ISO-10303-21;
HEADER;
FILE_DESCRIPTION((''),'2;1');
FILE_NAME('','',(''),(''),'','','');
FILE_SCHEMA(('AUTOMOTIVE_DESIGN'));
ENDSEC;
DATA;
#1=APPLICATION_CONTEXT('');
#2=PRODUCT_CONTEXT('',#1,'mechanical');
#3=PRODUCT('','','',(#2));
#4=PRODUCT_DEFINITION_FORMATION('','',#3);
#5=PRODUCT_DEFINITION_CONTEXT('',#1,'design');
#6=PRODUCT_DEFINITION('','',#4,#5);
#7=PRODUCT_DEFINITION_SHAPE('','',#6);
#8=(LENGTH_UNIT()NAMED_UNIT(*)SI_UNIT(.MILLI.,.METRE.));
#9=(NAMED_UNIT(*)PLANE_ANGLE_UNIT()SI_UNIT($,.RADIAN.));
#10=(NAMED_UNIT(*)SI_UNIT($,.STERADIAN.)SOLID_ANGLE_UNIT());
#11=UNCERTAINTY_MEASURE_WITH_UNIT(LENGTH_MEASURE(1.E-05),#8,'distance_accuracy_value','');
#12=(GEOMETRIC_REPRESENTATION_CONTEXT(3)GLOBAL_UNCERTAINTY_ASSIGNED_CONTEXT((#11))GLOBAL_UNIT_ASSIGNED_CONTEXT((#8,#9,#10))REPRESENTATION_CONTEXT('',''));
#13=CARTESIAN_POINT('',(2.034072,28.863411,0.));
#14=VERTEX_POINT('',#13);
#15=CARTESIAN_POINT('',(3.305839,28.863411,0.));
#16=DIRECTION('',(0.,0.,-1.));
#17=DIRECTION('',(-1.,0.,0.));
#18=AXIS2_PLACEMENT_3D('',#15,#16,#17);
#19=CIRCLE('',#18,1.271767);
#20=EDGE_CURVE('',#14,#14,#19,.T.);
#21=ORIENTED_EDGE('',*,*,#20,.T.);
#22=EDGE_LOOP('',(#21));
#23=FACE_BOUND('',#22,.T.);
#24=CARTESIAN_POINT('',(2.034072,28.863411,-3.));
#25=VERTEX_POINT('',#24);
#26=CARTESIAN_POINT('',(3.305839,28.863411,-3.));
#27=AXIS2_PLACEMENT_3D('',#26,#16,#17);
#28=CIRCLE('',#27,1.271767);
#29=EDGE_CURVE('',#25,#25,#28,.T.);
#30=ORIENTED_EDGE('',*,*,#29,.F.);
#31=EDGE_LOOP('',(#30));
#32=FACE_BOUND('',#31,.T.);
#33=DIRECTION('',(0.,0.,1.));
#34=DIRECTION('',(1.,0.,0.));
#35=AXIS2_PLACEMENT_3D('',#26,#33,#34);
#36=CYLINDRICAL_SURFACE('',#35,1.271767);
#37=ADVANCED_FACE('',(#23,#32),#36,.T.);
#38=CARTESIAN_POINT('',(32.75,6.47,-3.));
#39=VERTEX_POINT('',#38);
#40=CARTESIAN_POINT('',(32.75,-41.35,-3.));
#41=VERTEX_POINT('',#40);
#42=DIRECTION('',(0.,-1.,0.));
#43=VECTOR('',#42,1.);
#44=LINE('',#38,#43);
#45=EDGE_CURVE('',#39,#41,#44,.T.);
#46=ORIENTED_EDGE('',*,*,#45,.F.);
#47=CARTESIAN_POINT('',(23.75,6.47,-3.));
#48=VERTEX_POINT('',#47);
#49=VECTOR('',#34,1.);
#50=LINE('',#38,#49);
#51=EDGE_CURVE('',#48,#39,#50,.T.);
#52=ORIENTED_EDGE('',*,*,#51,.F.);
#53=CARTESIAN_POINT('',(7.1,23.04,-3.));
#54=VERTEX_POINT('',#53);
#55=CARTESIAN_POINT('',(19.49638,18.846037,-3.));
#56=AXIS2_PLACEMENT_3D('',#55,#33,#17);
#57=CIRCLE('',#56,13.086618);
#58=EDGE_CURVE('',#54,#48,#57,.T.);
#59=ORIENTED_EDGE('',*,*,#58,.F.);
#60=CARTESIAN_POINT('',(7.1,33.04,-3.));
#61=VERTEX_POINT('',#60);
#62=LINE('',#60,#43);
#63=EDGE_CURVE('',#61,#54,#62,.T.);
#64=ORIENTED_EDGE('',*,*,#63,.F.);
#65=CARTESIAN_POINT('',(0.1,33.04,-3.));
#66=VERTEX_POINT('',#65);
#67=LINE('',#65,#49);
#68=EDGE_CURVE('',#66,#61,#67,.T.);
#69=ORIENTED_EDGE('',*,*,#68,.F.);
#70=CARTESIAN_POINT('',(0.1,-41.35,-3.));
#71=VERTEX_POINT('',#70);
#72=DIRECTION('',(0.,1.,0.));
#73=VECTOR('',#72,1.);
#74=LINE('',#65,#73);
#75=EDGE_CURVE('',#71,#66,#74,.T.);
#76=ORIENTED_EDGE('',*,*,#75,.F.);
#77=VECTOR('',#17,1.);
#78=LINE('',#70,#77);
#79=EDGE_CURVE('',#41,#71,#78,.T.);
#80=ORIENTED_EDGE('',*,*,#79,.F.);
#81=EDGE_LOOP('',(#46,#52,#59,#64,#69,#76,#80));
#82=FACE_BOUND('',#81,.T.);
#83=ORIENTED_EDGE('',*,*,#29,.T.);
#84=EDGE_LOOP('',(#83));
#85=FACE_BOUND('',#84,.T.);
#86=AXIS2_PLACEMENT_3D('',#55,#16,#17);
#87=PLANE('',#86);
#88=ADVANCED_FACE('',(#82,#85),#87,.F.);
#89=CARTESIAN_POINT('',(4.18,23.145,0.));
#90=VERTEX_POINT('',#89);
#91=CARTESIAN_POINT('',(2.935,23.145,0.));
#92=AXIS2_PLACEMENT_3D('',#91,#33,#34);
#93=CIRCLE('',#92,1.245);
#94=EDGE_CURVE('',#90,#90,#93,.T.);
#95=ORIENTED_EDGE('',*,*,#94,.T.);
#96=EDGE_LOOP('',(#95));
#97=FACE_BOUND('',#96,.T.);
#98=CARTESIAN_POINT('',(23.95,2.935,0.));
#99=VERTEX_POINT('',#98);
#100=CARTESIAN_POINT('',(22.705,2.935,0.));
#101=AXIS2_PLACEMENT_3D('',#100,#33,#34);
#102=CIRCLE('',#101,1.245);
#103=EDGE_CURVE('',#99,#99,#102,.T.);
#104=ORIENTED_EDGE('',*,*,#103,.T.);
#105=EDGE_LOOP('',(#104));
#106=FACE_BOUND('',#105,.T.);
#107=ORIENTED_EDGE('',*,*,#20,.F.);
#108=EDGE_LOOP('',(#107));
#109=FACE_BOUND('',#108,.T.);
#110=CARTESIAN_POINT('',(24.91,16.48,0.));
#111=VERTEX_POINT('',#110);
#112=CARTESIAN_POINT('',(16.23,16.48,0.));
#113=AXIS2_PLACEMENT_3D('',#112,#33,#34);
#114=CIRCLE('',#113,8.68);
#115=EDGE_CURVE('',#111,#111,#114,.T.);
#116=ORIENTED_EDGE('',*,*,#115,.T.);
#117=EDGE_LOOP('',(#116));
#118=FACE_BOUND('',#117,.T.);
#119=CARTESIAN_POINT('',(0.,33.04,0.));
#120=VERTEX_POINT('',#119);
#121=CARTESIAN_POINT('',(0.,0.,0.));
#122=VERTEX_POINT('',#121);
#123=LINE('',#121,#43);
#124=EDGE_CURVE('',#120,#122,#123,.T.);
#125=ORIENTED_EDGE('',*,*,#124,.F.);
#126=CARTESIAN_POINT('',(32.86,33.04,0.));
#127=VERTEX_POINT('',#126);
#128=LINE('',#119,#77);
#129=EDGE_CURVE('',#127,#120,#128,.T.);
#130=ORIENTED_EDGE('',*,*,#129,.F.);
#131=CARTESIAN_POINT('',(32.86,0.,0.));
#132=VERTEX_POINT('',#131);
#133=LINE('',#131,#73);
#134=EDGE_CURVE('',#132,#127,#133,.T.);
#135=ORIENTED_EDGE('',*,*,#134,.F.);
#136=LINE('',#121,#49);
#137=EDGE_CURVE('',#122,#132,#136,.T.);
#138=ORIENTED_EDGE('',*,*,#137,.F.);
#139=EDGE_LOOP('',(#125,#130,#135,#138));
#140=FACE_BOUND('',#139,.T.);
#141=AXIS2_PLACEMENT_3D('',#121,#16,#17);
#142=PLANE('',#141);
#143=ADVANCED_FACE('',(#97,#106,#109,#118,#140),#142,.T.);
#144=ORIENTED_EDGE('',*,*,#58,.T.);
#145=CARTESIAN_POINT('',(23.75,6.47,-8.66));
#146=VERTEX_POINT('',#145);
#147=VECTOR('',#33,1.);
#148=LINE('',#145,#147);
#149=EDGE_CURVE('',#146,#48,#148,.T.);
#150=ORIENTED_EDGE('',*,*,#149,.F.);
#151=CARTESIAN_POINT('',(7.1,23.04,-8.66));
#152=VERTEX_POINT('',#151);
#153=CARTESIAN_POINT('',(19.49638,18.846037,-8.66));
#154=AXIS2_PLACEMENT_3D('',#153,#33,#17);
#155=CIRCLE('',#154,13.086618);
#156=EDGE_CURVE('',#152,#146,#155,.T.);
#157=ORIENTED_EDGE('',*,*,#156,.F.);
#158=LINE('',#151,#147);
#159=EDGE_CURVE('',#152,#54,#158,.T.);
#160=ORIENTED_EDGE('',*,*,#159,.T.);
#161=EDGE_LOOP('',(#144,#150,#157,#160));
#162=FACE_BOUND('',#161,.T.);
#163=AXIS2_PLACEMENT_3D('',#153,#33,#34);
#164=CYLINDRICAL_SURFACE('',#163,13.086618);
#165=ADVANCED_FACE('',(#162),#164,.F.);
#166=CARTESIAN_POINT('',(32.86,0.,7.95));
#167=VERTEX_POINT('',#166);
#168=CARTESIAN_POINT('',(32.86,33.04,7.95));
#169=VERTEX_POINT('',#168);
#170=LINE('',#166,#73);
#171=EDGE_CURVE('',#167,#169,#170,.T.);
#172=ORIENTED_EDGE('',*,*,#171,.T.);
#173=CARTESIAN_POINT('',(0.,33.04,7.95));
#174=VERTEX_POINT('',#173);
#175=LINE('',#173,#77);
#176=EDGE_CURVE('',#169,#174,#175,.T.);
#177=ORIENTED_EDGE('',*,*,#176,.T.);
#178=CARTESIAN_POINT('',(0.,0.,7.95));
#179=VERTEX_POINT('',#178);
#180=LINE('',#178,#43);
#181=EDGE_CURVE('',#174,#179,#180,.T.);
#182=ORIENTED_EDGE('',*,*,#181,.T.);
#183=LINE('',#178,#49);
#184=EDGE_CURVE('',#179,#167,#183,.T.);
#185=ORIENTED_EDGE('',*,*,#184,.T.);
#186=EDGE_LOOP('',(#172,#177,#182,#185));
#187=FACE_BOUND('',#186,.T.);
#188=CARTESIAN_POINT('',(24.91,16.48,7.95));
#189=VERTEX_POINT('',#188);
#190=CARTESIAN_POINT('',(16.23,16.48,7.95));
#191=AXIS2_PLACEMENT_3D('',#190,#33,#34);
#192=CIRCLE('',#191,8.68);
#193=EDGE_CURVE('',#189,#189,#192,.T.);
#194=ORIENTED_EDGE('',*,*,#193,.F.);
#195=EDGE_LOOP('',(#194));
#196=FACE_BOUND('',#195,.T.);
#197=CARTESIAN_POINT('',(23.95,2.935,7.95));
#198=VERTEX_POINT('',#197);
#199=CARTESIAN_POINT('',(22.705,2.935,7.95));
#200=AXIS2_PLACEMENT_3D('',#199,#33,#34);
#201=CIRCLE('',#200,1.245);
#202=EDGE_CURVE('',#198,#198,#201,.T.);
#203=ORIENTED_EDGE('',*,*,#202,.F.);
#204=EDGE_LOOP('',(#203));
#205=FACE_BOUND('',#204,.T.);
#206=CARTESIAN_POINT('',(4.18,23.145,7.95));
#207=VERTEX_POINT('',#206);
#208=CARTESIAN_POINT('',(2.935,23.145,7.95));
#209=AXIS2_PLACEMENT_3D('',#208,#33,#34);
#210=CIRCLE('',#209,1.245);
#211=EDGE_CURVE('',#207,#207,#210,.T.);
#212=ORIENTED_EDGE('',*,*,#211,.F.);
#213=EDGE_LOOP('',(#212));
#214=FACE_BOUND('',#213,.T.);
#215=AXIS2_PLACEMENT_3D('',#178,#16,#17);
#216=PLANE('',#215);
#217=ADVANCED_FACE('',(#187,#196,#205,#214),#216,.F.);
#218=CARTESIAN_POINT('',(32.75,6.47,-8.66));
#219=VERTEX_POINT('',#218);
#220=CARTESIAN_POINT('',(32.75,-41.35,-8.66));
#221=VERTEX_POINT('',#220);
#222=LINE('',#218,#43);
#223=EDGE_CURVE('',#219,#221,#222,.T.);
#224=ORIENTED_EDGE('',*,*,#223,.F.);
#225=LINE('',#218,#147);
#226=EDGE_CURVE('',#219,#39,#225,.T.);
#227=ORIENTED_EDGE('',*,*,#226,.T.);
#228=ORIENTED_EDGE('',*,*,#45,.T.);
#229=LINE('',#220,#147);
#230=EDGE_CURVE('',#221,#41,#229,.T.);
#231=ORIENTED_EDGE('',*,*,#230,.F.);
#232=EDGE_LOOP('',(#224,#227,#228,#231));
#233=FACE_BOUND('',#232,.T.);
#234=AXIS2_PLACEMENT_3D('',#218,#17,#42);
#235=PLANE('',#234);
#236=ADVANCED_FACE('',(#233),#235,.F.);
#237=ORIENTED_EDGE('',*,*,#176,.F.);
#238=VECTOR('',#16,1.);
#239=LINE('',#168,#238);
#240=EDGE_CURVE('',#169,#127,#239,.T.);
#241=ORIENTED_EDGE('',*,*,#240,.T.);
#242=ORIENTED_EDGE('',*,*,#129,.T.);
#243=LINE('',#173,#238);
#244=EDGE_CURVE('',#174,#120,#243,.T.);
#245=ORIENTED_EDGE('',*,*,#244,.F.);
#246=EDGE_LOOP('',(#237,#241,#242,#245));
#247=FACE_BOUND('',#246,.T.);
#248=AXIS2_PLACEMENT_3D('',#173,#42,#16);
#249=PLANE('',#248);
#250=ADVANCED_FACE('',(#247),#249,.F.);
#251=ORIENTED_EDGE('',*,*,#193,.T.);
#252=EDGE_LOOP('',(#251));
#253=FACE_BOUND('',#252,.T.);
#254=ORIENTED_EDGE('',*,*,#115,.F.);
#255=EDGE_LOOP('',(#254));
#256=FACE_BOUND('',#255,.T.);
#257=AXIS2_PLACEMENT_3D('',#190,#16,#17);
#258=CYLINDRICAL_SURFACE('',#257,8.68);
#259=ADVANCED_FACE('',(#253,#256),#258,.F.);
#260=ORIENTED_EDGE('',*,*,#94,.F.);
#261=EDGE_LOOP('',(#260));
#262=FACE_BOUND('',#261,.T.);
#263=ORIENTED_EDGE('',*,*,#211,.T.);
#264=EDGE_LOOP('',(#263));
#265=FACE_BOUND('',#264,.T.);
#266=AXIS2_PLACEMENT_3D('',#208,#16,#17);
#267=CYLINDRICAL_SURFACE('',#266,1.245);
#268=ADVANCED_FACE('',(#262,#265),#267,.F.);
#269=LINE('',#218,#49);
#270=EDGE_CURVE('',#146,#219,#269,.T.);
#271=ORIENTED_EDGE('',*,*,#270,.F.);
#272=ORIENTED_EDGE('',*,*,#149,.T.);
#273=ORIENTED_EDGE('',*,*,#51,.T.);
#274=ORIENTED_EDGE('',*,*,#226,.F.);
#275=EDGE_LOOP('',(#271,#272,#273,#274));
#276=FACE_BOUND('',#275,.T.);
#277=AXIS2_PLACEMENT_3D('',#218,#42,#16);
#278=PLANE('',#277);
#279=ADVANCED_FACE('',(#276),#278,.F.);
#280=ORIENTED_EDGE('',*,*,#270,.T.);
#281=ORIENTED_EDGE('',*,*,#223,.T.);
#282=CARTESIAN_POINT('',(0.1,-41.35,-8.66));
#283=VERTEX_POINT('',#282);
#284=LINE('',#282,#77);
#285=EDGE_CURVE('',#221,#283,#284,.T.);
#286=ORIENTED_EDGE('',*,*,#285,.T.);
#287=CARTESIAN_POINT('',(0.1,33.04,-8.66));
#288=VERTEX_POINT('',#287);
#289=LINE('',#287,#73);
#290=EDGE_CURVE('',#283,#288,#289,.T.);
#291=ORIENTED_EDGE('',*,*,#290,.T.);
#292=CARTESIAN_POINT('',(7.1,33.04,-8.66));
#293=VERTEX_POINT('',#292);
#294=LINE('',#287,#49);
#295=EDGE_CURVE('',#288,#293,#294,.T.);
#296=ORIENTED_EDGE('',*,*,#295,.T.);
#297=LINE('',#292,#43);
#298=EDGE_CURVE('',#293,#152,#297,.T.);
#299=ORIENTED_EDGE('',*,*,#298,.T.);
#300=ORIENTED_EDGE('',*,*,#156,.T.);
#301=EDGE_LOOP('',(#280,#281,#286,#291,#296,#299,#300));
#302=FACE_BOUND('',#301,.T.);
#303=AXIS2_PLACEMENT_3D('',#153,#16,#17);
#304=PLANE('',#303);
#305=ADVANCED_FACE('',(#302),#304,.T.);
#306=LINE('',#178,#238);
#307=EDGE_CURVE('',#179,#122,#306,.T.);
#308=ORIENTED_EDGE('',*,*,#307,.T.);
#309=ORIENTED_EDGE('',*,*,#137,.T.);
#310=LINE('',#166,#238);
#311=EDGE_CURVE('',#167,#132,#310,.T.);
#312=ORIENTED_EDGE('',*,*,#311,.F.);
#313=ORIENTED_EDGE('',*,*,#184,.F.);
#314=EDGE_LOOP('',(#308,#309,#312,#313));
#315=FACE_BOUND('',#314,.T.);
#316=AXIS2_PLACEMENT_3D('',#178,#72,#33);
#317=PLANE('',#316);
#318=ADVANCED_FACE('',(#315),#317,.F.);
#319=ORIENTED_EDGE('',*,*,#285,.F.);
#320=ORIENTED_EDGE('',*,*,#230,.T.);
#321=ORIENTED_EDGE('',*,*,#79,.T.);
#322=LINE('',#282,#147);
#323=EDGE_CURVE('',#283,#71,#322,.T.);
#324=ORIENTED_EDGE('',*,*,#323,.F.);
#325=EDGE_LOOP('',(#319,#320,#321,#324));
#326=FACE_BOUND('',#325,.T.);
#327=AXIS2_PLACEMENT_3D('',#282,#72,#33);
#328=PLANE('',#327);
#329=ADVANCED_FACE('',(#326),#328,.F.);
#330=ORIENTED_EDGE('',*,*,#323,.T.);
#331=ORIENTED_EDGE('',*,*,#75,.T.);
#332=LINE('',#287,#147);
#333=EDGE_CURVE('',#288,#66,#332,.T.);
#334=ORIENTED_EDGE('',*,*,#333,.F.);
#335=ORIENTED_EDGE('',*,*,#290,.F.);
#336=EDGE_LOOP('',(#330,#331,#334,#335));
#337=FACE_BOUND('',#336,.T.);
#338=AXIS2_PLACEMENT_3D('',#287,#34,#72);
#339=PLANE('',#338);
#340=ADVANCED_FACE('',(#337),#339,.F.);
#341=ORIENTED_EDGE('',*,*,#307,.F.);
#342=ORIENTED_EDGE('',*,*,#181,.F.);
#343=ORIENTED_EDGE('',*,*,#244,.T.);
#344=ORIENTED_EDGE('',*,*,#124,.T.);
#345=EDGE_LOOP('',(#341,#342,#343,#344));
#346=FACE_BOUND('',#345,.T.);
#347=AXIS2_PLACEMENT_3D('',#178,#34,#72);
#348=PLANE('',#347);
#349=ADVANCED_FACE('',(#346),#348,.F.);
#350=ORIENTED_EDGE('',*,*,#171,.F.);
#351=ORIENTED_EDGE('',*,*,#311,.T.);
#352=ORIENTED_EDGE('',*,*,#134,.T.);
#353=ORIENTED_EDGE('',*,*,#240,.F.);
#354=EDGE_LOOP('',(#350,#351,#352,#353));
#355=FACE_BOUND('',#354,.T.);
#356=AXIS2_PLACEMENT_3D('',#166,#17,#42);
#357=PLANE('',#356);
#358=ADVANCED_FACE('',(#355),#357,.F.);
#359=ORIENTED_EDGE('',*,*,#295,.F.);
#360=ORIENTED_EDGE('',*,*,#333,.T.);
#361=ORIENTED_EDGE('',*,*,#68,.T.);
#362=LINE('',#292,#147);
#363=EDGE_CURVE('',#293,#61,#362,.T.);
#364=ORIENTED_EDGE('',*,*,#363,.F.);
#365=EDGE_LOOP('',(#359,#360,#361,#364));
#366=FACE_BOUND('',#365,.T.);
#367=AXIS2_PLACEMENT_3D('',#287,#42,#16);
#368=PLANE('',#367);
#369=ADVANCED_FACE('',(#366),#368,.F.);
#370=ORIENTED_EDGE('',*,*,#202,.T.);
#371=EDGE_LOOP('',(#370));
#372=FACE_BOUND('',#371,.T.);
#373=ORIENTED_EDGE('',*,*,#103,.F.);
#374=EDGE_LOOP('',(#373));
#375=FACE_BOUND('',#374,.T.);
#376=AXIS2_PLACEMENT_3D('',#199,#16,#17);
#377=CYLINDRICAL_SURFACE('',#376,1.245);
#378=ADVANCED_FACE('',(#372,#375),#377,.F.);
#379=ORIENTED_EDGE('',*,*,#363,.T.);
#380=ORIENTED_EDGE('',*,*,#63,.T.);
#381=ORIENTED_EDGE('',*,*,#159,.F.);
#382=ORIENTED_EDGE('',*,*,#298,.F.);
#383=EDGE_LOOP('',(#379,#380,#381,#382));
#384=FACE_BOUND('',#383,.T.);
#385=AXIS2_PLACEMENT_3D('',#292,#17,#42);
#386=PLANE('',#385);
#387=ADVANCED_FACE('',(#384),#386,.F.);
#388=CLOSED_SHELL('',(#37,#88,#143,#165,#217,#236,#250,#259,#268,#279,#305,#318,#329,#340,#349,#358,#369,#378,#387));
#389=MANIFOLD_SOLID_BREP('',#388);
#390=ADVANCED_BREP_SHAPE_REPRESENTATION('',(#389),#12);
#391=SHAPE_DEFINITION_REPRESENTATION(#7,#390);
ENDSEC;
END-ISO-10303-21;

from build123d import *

# Parameters (mm, degrees)
SKETCH1_W           = 32.86
SKETCH1_H           = 33.04
SKETCH1_R           = 8.68
SKETCH1_R_2         = 1.245
BOSS_EXTRUDE1_DEPTH = 7.95
SKETCH2_R           = 1.271766889
BOSS_EXTRUDE2_DEPTH = 3
BOSS_EXTRUDE3_DEPTH = 5.66


with BuildPart() as part:
    # Sketch1 → Boss-Extrude1 (new body)
    with BuildSketch(Plane.XY):
        with Locations((16.43, 16.52)):
            Rectangle(SKETCH1_W, SKETCH1_H)
        with Locations((16.23, 16.48)):
            Circle(SKETCH1_R, mode=Mode.SUBTRACT)
        with Locations((2.935, 23.145)):
            Circle(SKETCH1_R_2, mode=Mode.SUBTRACT)
        with Locations((22.705, 2.935)):
            Circle(SKETCH1_R_2, mode=Mode.SUBTRACT)
    extrude(amount=BOSS_EXTRUDE1_DEPTH)

    # Sketch2 → Boss-Extrude2 (add)
    with BuildSketch(Plane(origin=(0, 0, 0), x_dir=(-1, 0, 0), z_dir=(0, 0, -1))):
        with Locations((-3.305838701, 28.863410922)):
            Circle(SKETCH2_R)
    extrude(amount=BOSS_EXTRUDE2_DEPTH)

    # Sketch3 → Boss-Extrude3 (add)
    with BuildSketch(Plane(origin=(0, 0, -3), x_dir=(-1, 0, 0), z_dir=(0, 0, -1))):
        with BuildLine():
            Line((-0.1, 33.04), (-7.1, 33.04))
            Line((-7.1, 33.04), (-7.1, 23.04))
            ThreePointArc((-7.1, 23.04), (-10.265055125, 9.570142898), (-23.75, 6.47))
            Line((-23.75, 6.47), (-32.75, 6.47))
            Line((-32.75, 6.47), (-32.75, -41.35))
            Line((-32.75, -41.35), (-0.1, -41.35))
            Line((-0.1, -41.35), (-0.1, 33.04))
        make_face()
    extrude(amount=BOSS_EXTRUDE3_DEPTH)


solid = part.part
